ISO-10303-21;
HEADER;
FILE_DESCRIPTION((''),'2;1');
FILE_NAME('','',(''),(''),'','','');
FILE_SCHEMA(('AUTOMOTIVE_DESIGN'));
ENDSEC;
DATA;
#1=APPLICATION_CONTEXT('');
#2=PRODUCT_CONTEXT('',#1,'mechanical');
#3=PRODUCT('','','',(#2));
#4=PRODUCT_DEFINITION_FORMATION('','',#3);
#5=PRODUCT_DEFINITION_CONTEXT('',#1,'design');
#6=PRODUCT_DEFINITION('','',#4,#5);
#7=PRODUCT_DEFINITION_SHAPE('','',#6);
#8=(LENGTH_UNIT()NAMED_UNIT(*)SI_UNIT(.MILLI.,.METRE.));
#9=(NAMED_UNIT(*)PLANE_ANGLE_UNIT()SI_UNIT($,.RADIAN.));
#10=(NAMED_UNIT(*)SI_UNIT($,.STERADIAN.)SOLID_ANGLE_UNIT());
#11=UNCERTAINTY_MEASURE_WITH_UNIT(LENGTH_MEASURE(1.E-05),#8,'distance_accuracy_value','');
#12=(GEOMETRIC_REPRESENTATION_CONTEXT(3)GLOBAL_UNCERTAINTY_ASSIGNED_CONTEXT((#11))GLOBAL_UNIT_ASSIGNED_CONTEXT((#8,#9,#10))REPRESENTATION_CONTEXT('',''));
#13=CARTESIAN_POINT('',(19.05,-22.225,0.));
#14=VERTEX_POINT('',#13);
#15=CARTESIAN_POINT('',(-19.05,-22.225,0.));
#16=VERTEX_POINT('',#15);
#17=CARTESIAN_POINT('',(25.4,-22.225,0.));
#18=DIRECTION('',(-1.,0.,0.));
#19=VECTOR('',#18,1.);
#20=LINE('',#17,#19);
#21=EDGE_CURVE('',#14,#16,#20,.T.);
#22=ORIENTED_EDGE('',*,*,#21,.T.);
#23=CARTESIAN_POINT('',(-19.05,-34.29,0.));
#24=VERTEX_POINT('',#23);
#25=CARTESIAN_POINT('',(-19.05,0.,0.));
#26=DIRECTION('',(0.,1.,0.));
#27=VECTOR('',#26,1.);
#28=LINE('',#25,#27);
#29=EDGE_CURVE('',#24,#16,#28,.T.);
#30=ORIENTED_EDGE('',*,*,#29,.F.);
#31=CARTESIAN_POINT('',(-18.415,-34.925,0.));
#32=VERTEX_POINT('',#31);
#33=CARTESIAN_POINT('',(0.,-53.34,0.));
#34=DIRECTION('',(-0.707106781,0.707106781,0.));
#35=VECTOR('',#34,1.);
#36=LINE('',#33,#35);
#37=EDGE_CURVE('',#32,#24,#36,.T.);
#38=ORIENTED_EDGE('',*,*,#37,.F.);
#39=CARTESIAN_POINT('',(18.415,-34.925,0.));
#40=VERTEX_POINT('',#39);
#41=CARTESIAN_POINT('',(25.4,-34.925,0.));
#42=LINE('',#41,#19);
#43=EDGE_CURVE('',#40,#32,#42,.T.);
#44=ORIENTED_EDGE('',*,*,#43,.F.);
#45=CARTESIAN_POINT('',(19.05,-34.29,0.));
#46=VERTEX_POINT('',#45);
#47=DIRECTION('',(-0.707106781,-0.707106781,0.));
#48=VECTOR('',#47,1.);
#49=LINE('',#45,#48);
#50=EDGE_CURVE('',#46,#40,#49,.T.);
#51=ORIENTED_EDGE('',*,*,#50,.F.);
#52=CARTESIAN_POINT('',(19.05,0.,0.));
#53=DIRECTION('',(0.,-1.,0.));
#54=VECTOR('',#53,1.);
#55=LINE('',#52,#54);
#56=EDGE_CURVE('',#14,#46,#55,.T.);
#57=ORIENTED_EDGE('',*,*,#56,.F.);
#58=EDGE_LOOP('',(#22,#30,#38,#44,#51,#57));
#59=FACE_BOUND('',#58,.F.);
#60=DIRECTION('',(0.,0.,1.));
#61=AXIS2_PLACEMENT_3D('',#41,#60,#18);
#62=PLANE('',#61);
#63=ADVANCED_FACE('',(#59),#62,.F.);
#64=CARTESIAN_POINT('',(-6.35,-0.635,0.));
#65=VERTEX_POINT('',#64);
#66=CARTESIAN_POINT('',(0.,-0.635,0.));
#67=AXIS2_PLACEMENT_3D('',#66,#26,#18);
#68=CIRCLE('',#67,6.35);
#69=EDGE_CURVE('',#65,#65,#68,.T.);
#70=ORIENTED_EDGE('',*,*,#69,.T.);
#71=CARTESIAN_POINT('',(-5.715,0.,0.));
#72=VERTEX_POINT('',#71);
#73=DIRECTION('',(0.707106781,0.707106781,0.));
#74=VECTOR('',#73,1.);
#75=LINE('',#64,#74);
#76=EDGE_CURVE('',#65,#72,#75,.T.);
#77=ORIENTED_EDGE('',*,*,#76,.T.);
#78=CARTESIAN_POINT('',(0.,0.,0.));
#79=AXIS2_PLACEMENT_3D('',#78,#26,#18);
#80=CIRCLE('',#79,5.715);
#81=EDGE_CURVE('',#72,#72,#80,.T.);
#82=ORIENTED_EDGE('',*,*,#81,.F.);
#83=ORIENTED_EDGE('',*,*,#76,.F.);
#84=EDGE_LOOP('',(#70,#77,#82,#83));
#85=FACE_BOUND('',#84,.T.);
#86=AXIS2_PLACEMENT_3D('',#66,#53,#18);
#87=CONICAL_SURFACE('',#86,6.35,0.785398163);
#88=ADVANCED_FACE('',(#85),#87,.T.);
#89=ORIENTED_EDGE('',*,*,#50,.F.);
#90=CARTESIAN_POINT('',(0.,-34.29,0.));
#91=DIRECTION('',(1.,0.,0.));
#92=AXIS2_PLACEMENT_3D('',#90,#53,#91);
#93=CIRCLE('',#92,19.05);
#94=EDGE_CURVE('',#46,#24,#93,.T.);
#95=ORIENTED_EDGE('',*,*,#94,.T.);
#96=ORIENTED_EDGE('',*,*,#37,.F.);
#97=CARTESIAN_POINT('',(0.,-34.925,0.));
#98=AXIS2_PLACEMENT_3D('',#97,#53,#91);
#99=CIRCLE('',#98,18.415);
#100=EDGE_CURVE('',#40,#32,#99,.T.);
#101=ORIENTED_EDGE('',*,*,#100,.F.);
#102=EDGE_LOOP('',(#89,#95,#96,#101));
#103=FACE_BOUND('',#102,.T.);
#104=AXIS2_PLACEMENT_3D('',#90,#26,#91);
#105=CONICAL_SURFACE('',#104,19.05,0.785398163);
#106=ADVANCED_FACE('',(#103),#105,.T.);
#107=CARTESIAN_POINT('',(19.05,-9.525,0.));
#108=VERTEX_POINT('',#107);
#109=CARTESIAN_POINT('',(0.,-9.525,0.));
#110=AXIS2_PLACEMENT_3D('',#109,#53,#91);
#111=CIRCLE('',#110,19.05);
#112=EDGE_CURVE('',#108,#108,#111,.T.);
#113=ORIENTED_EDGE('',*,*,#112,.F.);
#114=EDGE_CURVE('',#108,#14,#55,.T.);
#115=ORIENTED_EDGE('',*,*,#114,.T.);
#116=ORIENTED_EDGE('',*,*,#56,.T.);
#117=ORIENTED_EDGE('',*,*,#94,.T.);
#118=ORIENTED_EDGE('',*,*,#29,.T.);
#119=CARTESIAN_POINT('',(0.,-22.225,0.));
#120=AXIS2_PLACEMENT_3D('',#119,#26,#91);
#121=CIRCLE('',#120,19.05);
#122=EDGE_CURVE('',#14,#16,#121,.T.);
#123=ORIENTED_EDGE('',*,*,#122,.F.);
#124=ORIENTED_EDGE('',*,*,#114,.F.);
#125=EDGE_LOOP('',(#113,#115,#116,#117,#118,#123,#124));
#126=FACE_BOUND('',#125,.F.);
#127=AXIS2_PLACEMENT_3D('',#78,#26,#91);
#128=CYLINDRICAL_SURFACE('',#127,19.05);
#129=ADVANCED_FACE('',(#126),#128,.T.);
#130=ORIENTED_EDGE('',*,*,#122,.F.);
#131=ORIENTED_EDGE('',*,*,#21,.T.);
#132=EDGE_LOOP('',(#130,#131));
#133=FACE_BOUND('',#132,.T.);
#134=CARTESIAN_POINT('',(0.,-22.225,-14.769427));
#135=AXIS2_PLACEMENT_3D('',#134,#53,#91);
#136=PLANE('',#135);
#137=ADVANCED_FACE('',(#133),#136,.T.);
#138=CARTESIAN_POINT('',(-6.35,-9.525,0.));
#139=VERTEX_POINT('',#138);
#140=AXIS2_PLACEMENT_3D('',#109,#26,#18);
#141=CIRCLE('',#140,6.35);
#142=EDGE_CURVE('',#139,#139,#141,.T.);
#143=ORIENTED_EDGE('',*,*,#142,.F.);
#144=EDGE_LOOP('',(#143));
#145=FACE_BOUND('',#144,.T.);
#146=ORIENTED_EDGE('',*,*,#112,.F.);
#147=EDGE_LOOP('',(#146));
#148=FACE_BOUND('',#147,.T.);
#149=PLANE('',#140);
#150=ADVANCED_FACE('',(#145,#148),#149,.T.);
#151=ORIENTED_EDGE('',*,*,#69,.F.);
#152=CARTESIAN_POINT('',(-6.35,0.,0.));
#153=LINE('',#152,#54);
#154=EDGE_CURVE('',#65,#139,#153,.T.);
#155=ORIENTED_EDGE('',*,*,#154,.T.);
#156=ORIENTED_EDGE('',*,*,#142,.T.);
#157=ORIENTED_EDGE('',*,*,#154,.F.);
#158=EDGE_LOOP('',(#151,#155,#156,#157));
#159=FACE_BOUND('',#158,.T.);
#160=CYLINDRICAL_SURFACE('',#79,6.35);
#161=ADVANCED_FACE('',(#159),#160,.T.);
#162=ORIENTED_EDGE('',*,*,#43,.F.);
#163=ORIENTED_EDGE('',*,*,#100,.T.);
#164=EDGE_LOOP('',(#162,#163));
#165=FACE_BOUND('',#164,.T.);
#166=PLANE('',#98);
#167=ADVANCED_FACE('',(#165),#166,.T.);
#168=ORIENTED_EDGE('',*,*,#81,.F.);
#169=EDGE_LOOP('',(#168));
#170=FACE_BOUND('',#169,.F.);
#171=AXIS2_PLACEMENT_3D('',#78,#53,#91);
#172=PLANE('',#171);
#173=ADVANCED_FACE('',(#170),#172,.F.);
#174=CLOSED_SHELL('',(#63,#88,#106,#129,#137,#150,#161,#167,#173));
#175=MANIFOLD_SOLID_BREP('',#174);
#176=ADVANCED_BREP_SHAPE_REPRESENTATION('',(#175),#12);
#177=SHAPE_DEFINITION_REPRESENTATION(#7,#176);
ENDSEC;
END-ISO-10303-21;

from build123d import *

# Parameters (mm, degrees)
F0_R     = 19.05
F1_DEPTH = 34.925
F2_R     = 19.05
F2_R_2   = 6.35
F3_DEPTH = 9.525
F4_SIZE  = 0.635
F6_DEPTH = 12.7


with BuildPart() as f1:
    # F0 (on Front) → F1 (new body)
    with BuildSketch(Plane.XZ):
        Circle(F0_R)
    extrude(amount=F1_DEPTH)

    # F2 (on face) → F3 (cut)
    with BuildSketch(Plane(origin=(0, 0, 0), x_dir=(-1, 0, 0), z_dir=(0, 1, 0))):
        Circle(F2_R)
        Circle(F2_R_2, mode=Mode.SUBTRACT)
    extrude(amount=-F3_DEPTH, mode=Mode.SUBTRACT)

    # F4
    f4_edges = [f1.edges().sort_by_distance(p)[0] for p in [
        (6.35, 0, 0),
        (-19.05, -34.925, 0),
    ]]
    chamfer(f4_edges, length=F4_SIZE)

    # F5 (on face) → F6 (cut)
    with BuildSketch(Plane.XZ.offset(34.925)):
        with BuildLine():
            Line((-25.4, 0), (-25.4, -25.4))
            Line((-25.4, -25.4), (25.4, -25.4))
            Line((25.4, -25.4), (25.4, 0))
            Line((25.4, 0), (18.415, 0))
            ThreePointArc((18.415, 0), (0, -18.415), (-18.415, 0))
            Line((-18.415, 0), (-25.4, 0))
        make_face()
        with BuildLine():
            Line((18.415, 0), (-18.415, 0))
            ThreePointArc((-18.415, 0), (0, -18.415), (18.415, 0))
        make_face()
    extrude(amount=-F6_DEPTH, mode=Mode.SUBTRACT)


solid = f1.part
